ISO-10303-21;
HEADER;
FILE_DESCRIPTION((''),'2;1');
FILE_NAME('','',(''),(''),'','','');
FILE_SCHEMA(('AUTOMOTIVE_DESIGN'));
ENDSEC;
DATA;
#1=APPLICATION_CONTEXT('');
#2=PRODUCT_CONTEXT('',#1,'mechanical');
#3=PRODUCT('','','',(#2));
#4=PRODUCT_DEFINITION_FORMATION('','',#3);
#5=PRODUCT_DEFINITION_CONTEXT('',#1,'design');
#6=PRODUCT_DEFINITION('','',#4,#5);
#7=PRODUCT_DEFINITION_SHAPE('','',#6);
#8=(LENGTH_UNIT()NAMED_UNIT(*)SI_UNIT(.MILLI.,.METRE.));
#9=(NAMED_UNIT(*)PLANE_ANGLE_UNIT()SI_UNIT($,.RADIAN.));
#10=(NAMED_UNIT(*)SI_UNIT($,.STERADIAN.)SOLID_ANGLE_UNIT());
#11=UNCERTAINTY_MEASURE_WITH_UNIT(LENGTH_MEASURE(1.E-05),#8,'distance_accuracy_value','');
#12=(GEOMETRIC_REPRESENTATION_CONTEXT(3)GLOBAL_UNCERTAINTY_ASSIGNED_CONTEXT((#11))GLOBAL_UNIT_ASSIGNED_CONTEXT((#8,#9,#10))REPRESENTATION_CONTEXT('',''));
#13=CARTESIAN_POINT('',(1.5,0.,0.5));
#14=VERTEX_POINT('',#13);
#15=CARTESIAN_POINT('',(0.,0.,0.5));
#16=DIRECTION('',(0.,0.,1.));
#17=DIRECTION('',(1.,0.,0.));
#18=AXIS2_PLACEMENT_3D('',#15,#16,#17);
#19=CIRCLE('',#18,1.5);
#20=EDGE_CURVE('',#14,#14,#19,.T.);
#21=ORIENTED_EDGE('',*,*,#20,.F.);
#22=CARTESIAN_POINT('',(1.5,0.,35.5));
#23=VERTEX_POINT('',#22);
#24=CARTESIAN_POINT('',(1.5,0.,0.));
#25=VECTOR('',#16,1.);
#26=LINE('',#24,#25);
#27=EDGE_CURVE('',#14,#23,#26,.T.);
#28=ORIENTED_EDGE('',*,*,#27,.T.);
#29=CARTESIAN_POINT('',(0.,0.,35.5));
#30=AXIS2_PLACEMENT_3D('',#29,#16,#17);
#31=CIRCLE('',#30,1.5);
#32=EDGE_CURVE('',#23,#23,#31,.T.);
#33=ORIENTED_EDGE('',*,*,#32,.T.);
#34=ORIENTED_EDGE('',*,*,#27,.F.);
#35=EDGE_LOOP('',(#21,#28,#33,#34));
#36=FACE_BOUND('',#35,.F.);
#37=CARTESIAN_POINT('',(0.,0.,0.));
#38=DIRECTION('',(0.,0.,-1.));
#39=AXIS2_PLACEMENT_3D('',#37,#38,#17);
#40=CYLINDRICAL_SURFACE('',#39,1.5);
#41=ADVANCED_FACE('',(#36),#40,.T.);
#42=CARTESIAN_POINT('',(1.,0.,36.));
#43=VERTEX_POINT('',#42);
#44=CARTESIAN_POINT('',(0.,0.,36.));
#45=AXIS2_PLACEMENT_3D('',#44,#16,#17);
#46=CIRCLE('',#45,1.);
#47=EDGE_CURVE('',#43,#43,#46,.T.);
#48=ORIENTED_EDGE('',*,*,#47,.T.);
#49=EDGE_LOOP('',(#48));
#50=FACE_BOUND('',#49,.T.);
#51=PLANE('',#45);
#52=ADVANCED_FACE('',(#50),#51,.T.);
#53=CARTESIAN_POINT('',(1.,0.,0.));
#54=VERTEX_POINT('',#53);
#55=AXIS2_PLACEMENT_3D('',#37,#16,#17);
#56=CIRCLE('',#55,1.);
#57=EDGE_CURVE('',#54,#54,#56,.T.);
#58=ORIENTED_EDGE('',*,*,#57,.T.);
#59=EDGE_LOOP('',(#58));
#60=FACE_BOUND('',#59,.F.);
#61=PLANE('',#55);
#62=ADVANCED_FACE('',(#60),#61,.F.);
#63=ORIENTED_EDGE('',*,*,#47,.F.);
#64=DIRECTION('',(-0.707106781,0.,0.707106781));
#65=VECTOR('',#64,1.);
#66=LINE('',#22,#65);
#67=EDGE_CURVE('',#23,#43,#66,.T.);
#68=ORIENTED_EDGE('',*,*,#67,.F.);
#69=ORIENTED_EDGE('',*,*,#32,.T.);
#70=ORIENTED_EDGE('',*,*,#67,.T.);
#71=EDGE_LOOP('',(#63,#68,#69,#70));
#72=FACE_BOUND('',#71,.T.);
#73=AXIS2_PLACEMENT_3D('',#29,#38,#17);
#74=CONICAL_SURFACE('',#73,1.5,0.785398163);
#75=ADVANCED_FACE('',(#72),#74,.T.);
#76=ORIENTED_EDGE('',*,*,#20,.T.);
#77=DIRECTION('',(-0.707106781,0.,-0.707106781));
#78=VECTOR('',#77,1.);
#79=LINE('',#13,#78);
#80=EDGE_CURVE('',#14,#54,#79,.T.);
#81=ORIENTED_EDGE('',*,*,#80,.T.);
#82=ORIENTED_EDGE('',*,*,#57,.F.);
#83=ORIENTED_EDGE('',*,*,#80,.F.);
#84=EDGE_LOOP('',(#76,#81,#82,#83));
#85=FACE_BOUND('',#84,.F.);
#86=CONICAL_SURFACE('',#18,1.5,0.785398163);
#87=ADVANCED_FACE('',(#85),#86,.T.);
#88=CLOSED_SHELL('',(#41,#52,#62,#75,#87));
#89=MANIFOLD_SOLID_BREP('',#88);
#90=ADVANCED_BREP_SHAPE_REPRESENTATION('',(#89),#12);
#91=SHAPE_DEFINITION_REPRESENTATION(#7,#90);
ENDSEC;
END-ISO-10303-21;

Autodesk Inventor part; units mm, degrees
ref_plane "YZ Plane" through (0, 0, 0) normal (1, 0, 0) x (0, 1, 0)
ref_plane "XZ Plane" through (0, 0, 0) normal (0, 1, 0) x (-1, 0, 0)
ref_plane "XY Plane" through (0, 0, 0) normal (0, 0, 1) x (1, 0, 0)
sketch "Skizze1" plane through (0, 0, 0) normal (0, 0, 1) x (1, 0, 0)
  circle A0 centre (0, 0) radius 1.5
  dimension "d0" = 3
extrude "Extrusion1" add sketch "Skizze1" along normal blind 36
chamfer "Fase1" distance 0.5 angle 45 2 edges at (-1.5, 0, 0) (-1.5, 0, 36)
properties part number "WormAxis"
